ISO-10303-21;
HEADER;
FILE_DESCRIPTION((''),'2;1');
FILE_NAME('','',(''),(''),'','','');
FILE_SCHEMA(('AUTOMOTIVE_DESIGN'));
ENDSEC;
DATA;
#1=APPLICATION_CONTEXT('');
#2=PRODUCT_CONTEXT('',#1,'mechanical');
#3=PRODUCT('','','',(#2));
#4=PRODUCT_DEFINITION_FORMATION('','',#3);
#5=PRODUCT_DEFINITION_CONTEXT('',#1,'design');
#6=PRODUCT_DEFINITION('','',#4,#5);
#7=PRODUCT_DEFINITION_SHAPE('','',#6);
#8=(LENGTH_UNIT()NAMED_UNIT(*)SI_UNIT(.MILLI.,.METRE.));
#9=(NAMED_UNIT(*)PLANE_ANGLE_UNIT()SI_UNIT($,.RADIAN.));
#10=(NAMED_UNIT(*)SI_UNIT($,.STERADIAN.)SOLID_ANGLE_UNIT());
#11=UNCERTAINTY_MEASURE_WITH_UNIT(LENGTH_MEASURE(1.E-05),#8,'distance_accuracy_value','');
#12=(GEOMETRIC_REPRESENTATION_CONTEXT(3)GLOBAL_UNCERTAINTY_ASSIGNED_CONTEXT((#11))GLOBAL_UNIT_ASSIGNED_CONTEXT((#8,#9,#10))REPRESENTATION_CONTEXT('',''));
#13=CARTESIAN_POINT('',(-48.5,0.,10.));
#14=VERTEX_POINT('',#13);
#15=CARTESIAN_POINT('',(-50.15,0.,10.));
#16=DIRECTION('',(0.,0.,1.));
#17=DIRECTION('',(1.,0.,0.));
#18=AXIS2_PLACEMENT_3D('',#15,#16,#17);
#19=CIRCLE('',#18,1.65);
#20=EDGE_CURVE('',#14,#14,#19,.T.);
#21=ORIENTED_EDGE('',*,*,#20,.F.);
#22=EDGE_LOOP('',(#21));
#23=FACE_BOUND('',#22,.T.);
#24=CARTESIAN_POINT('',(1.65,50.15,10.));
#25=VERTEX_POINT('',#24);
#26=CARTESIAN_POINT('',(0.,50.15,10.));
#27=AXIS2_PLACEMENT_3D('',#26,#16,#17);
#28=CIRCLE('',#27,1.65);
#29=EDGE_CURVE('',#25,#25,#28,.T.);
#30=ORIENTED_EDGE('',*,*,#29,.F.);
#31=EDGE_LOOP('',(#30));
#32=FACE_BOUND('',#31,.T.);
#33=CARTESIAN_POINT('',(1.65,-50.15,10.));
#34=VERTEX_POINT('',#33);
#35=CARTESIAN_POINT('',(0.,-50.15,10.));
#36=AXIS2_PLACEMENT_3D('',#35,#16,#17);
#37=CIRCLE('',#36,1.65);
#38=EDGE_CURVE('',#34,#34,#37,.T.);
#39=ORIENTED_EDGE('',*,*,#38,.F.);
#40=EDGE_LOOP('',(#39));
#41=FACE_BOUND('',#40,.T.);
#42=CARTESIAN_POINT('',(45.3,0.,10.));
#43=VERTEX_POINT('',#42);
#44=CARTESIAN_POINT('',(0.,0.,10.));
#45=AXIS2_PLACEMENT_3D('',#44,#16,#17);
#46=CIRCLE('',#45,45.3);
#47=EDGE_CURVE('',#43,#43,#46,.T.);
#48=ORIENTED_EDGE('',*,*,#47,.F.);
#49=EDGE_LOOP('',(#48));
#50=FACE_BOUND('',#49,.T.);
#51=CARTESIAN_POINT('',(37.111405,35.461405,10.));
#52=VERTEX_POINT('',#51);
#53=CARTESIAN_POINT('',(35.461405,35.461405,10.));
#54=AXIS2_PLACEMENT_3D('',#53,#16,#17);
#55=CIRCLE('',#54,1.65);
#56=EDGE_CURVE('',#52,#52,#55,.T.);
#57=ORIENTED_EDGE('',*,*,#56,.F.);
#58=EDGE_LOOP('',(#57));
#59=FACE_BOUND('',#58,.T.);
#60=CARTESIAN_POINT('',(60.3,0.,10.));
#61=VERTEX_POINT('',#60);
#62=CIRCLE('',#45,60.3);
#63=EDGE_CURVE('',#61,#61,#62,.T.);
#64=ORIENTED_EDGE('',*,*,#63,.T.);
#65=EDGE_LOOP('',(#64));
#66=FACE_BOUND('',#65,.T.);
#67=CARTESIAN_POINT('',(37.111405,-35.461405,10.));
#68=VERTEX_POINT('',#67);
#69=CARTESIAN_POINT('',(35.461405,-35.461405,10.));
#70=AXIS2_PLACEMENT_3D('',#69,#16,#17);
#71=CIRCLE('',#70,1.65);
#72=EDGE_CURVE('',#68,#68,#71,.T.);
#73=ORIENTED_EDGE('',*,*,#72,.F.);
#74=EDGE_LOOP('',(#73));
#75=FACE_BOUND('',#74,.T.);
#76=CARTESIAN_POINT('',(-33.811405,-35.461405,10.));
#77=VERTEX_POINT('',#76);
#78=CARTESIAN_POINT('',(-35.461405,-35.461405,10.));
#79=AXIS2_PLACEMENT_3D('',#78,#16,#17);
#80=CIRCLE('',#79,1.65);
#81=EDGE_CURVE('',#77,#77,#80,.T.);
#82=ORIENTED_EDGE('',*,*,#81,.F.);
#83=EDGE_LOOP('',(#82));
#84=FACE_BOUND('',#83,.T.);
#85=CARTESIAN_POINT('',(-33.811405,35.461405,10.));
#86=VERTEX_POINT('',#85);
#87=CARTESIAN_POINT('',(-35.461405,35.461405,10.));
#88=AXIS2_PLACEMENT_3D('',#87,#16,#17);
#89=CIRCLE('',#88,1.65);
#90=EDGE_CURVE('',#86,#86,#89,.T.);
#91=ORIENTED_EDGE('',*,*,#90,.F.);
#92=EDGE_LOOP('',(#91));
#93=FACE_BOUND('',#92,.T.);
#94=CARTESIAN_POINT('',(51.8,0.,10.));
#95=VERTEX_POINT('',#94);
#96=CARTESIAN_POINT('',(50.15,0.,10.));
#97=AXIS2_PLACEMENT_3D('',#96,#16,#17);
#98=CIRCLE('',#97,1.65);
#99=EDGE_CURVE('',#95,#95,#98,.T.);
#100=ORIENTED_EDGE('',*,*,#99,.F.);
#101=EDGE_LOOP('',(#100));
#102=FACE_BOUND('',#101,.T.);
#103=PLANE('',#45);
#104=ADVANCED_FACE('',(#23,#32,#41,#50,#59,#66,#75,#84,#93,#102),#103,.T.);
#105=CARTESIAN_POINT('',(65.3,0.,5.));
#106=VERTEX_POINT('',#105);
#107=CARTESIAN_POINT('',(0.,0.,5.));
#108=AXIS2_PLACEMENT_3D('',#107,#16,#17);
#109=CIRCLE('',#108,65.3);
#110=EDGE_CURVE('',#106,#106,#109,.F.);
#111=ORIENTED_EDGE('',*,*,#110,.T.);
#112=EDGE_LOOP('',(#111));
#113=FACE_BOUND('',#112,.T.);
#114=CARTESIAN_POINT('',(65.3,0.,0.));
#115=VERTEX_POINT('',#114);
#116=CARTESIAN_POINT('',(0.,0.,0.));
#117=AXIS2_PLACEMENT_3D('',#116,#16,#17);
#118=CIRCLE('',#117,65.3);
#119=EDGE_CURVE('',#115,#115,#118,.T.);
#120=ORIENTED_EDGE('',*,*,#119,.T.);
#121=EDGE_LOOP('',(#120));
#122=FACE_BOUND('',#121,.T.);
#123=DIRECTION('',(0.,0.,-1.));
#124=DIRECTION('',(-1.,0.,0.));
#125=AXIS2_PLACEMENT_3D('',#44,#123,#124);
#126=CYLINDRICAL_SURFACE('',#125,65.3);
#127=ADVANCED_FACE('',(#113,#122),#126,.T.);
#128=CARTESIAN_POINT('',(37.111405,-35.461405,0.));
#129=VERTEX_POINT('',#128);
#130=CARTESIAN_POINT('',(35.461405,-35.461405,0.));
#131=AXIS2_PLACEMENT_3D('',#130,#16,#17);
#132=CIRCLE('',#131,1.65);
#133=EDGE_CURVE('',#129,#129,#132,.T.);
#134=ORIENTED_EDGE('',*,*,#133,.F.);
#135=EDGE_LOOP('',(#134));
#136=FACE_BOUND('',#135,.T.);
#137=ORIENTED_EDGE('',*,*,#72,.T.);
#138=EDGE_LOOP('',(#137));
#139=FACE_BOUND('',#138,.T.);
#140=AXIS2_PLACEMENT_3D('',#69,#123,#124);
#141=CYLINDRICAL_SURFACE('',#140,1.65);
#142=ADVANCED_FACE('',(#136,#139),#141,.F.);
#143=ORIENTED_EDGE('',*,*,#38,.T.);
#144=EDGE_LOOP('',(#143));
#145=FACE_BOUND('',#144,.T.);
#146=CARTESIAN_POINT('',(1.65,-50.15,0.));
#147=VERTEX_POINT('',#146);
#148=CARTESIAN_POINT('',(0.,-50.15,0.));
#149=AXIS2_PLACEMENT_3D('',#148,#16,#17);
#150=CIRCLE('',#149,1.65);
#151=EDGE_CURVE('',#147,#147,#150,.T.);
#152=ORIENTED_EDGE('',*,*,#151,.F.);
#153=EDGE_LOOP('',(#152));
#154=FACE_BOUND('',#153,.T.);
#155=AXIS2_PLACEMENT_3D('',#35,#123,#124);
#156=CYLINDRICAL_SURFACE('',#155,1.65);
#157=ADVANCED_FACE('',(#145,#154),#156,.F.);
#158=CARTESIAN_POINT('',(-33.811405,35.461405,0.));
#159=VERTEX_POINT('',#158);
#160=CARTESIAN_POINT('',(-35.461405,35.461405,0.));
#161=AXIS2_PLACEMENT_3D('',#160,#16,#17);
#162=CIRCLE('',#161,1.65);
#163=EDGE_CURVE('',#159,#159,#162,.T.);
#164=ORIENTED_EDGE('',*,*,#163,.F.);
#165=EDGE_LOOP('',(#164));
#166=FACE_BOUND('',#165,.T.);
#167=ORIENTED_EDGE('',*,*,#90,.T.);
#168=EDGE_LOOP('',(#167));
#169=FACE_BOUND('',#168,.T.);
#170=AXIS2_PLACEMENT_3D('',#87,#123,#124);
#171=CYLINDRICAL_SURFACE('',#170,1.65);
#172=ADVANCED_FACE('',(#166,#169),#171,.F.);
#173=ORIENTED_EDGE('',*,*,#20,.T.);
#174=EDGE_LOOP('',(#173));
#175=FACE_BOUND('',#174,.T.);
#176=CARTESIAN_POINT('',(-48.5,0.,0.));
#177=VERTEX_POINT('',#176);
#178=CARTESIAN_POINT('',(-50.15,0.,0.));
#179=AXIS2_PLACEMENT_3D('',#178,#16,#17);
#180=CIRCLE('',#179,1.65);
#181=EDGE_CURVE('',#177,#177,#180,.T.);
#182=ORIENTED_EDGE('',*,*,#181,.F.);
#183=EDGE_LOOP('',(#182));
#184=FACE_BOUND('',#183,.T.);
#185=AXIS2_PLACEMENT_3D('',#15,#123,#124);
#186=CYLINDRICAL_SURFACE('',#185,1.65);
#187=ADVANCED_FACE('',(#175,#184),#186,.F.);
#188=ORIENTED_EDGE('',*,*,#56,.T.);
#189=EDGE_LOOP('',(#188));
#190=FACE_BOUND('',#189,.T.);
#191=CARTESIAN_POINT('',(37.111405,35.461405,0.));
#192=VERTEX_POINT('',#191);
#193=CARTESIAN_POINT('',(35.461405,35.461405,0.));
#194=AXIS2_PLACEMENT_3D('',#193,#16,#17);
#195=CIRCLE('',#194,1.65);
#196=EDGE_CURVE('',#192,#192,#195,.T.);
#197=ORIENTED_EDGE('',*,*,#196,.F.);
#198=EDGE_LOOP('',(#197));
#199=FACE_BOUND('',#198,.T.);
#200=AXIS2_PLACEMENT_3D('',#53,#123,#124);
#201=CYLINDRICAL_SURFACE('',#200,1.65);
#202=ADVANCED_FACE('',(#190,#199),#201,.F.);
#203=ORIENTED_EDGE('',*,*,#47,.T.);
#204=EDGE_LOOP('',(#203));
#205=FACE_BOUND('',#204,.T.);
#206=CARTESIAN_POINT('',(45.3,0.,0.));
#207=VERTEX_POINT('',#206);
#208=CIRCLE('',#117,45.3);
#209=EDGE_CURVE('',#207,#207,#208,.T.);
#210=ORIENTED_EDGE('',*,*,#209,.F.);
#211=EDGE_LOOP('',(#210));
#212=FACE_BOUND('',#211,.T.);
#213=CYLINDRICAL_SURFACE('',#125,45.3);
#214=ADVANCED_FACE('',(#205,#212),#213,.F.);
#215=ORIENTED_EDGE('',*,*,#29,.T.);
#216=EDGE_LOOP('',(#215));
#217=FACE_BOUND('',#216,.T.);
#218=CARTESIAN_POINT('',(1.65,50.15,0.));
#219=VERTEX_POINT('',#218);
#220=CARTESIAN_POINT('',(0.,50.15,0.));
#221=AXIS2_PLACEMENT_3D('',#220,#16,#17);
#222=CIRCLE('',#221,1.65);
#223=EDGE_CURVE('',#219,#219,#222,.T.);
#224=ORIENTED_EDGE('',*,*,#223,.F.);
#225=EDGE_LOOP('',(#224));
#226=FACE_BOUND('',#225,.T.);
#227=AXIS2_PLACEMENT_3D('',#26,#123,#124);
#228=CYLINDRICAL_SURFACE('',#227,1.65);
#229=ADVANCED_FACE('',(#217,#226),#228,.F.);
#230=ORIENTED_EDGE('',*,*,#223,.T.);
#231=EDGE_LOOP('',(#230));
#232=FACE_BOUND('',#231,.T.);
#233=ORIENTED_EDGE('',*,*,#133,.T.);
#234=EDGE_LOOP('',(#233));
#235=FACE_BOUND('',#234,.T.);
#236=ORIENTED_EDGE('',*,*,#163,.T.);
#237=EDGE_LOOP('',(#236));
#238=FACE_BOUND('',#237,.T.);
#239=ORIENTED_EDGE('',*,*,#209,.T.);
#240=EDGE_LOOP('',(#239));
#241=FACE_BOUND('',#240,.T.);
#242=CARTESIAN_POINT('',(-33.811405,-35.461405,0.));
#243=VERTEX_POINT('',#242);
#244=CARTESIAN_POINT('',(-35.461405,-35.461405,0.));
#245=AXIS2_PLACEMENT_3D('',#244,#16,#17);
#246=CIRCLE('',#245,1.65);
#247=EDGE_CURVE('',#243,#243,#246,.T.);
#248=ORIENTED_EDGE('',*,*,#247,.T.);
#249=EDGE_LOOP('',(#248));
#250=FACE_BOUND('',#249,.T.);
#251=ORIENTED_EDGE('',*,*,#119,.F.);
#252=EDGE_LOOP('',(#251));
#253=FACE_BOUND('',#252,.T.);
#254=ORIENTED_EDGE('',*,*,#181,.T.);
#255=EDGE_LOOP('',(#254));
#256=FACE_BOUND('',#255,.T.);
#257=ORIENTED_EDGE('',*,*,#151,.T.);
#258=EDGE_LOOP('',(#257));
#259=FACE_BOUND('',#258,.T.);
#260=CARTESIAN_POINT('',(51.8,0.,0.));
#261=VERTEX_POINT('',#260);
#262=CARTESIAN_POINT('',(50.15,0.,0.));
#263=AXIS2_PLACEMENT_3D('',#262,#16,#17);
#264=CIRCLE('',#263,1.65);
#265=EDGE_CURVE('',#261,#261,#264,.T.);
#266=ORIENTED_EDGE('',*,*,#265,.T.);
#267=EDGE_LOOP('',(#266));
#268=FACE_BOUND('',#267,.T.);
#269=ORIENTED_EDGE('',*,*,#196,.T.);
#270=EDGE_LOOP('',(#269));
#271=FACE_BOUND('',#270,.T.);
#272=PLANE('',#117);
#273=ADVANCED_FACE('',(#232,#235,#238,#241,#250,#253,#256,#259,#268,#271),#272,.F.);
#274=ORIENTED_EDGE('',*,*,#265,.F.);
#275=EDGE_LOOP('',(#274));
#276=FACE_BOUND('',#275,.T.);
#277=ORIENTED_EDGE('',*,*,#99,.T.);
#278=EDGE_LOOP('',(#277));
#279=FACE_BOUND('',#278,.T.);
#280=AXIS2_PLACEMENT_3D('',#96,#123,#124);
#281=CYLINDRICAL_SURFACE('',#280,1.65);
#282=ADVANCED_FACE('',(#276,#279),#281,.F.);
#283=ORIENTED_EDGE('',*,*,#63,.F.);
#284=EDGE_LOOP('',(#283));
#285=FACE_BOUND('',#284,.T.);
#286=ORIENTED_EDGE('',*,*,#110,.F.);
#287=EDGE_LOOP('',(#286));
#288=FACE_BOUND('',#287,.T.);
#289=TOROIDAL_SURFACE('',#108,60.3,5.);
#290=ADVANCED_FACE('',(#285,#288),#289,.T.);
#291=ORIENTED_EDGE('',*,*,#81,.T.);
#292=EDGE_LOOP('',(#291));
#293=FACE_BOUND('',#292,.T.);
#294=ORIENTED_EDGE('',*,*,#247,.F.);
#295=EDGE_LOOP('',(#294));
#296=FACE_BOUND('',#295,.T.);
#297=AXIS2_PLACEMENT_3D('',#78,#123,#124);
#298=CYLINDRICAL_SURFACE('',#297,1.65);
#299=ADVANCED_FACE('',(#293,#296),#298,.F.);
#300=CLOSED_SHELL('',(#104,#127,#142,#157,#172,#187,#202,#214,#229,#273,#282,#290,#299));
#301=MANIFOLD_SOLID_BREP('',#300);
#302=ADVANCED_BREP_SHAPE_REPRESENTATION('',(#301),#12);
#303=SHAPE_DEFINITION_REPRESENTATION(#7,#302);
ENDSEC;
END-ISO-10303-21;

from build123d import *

# Parameters (mm, degrees)
SKETCH1_R           = 65.3
SKETCH1_R_2         = 45.3
SKETCH1_R_3         = 1.65
BOSS_EXTRUDE1_DEPTH = 10
FILLET1_R           = 5


with BuildPart() as part:
    # Sketch1 → Boss-Extrude1 (new body)
    with BuildSketch(Plane.XY):
        Circle(SKETCH1_R)
        Circle(SKETCH1_R_2, mode=Mode.SUBTRACT)
        with Locations((35.461405077, -35.461405077)):
            Circle(SKETCH1_R_3, mode=Mode.SUBTRACT)
        with Locations((0, -50.15)):
            Circle(SKETCH1_R_3, mode=Mode.SUBTRACT)
        with Locations((-35.461405077, -35.461405077)):
            Circle(SKETCH1_R_3, mode=Mode.SUBTRACT)
        with Locations((-50.15, 0)):
            Circle(SKETCH1_R_3, mode=Mode.SUBTRACT)
        with Locations((-35.461405077, 35.461405077)):
            Circle(SKETCH1_R_3, mode=Mode.SUBTRACT)
        with Locations((0, 50.15)):
            Circle(SKETCH1_R_3, mode=Mode.SUBTRACT)
        with Locations((35.461405077, 35.461405077)):
            Circle(SKETCH1_R_3, mode=Mode.SUBTRACT)
        with Locations((50.15, 0)):
            Circle(SKETCH1_R_3, mode=Mode.SUBTRACT)
    extrude(amount=BOSS_EXTRUDE1_DEPTH)

    # Fillet1
    fillet1_edges = [part.edges().sort_by_distance(p)[0] for p in [
        (-65.3, 0, 10),
    ]]
    fillet(fillet1_edges, radius=FILLET1_R)


solid = part.part
